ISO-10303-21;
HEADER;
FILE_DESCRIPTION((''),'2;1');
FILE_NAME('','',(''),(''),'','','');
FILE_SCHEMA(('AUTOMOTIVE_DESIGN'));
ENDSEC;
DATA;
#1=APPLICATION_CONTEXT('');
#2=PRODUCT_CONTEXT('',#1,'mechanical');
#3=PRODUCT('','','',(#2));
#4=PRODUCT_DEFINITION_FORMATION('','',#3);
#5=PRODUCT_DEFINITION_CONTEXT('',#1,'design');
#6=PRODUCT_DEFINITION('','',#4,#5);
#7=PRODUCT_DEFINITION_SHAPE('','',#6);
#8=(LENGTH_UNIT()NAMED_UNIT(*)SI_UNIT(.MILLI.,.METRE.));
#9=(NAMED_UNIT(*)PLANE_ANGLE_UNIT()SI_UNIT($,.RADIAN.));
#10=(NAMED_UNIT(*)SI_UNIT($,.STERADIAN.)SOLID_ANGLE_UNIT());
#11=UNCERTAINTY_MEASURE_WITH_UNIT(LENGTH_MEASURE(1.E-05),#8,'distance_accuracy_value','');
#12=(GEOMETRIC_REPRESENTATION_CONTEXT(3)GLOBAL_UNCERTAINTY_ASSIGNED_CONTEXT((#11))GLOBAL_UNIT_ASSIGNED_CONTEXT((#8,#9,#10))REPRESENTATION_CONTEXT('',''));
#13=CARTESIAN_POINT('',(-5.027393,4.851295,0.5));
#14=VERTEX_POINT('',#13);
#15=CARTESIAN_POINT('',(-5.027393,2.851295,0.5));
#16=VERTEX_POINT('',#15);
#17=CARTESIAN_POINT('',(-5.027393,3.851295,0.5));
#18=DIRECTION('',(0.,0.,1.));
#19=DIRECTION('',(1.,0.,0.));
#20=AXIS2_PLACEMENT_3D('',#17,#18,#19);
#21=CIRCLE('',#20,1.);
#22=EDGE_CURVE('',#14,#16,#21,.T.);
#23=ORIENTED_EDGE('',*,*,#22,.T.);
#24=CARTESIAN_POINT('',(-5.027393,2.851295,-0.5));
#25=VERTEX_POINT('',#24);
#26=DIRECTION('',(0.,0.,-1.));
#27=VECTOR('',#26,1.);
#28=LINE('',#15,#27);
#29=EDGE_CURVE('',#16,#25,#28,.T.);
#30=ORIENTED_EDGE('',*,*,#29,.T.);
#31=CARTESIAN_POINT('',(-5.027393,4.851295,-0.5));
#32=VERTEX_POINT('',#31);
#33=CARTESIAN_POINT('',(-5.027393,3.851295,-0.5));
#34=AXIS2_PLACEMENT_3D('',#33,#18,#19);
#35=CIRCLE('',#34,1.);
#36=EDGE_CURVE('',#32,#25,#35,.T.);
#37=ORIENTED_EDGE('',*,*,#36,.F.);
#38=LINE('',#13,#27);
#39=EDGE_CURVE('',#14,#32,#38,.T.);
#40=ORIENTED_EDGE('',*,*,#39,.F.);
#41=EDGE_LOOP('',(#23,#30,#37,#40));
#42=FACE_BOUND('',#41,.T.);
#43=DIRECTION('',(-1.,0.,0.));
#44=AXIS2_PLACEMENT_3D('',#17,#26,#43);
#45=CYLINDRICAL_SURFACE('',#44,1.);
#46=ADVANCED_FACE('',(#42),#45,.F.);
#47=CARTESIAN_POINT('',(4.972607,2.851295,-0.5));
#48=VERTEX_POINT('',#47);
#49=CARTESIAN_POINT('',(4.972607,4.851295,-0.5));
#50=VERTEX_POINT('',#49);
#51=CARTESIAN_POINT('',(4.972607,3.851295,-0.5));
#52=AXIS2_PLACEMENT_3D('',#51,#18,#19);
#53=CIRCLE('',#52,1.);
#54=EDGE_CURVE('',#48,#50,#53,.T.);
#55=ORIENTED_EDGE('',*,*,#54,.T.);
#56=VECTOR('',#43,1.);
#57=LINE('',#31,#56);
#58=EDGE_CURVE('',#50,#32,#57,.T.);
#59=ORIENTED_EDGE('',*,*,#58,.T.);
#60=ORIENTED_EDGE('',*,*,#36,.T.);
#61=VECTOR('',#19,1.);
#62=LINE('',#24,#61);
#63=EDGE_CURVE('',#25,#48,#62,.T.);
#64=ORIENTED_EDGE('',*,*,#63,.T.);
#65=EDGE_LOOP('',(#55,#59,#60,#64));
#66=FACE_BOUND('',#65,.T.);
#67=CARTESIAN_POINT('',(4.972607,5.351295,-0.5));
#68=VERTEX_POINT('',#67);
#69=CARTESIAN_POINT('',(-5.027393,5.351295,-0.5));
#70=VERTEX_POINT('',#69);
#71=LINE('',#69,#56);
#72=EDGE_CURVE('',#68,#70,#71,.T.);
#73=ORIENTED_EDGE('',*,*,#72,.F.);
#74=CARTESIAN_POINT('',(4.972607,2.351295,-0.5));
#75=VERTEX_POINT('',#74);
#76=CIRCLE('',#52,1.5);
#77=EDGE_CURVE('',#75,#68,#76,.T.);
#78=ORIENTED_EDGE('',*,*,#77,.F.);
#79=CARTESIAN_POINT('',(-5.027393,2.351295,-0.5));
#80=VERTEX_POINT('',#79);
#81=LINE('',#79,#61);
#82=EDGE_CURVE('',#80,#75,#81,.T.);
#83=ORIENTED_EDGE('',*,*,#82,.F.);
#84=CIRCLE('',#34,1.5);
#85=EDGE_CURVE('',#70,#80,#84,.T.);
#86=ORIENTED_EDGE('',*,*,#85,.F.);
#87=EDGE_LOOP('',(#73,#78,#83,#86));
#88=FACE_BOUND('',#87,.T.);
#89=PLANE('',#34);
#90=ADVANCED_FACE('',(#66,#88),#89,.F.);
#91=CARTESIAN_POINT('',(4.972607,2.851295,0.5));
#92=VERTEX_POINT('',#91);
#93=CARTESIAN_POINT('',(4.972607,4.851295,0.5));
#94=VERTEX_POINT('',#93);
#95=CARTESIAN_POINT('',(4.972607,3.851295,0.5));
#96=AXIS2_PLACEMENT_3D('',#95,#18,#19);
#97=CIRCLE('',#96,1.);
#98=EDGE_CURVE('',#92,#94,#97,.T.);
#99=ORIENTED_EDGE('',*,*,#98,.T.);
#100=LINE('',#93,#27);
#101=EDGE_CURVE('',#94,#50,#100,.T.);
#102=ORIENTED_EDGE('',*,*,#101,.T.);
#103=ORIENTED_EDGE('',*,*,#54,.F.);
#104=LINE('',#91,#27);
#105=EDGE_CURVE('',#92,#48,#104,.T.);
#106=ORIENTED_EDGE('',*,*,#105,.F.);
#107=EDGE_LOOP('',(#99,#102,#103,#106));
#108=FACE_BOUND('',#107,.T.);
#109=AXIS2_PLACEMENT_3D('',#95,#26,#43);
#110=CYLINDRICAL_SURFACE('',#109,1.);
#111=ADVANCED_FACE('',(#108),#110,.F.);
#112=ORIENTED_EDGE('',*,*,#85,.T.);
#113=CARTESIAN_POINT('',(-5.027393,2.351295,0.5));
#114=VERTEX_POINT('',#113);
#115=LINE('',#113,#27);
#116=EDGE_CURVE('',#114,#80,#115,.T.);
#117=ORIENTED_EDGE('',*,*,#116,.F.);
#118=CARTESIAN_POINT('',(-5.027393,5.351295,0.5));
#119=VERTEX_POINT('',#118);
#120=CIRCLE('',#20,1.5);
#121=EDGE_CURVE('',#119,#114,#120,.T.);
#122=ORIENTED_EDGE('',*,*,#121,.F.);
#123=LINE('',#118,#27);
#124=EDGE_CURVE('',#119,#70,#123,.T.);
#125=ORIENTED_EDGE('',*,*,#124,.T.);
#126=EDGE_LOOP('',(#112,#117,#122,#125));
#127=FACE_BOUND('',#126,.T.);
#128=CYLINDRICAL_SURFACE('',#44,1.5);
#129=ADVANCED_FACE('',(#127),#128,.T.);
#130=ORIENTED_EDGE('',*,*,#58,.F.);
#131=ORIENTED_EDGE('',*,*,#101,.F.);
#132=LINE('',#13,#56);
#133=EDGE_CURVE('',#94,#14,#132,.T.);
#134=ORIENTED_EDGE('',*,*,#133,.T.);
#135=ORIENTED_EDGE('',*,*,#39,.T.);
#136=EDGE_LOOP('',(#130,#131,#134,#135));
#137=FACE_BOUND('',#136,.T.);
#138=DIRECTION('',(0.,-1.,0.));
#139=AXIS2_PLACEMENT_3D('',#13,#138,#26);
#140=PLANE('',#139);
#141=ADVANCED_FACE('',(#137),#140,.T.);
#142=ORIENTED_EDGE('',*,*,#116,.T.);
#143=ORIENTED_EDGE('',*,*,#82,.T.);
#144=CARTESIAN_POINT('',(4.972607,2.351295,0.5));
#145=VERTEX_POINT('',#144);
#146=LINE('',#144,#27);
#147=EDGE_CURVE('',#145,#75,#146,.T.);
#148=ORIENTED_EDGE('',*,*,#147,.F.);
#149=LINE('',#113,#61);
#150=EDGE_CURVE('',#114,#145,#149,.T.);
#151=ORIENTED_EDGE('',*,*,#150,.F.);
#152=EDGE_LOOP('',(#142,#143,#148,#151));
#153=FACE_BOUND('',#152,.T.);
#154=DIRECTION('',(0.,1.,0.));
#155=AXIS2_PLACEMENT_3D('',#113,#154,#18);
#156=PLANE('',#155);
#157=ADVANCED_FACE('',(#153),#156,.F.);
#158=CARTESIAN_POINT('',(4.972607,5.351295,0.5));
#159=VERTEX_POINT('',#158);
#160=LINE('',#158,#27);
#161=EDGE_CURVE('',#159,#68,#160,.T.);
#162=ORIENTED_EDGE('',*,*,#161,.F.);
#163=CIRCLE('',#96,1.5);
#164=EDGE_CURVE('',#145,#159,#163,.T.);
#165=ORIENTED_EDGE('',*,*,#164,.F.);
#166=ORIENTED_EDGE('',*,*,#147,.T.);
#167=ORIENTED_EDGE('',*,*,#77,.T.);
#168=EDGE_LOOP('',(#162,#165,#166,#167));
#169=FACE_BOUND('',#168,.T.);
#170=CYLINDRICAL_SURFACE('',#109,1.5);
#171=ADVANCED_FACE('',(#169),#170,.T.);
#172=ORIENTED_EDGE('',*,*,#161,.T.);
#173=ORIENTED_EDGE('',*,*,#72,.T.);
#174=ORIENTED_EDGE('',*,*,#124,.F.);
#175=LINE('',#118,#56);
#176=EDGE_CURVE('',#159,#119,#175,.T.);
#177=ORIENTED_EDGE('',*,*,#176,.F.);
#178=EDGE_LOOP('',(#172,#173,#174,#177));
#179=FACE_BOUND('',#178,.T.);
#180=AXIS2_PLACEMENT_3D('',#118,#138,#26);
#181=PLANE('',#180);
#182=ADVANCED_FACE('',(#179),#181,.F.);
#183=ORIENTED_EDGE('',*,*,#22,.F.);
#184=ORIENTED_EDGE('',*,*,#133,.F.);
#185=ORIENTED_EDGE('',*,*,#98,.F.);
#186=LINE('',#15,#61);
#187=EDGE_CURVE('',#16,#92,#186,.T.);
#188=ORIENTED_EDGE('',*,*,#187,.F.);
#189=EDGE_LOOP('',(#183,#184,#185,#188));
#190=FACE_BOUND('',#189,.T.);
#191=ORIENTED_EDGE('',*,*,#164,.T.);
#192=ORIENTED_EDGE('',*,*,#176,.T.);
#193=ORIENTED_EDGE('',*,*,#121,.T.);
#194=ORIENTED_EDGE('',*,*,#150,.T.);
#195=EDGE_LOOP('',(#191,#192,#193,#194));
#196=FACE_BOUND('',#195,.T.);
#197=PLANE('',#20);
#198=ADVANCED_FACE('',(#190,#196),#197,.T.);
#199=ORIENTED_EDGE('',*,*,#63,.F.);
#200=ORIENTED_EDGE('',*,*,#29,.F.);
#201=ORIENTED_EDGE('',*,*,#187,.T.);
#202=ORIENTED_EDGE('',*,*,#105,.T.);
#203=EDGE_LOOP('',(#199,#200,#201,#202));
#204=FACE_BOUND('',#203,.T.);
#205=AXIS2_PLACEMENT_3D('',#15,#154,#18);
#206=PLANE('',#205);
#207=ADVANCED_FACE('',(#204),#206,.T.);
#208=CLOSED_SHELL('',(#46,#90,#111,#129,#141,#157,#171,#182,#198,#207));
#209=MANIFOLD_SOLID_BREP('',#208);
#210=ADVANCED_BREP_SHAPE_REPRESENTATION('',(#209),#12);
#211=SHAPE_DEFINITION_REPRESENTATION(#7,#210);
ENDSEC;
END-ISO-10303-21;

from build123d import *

# Parameters (mm, degrees)
EXTRUDE_1_DEPTH = 0.5


with BuildPart() as part:
    # 草图1 → 凸台-拉伸1 (new, symmetric)
    with BuildSketch(Plane.XY):
        with BuildLine():
            Line((-5.027393095, 5.351295181), (4.972606905, 5.351295181))
            ThreePointArc((4.972606905, 5.351295181), (6.472606905, 3.851295181), (4.972606905, 2.351295181))
            Line((4.972606905, 2.351295181), (-5.027393095, 2.351295181))
            ThreePointArc((-5.027393095, 2.351295181), (-6.527393095, 3.851295181), (-5.027393095, 5.351295181))
        make_face()
        with BuildLine():
            Line((-5.027393095, 4.851295181), (4.972606905, 4.851295181))
            ThreePointArc((4.972606905, 4.851295181), (5.972606905, 3.851295181), (4.972606905, 2.851295181))
            Line((4.972606905, 2.851295181), (-5.027393095, 2.851295181))
            ThreePointArc((-5.027393095, 2.851295181), (-6.027393095, 3.851295181), (-5.027393095, 4.851295181))
        make_face(mode=Mode.SUBTRACT)
    extrude(amount=EXTRUDE_1_DEPTH, both=True)


solid = part.part
